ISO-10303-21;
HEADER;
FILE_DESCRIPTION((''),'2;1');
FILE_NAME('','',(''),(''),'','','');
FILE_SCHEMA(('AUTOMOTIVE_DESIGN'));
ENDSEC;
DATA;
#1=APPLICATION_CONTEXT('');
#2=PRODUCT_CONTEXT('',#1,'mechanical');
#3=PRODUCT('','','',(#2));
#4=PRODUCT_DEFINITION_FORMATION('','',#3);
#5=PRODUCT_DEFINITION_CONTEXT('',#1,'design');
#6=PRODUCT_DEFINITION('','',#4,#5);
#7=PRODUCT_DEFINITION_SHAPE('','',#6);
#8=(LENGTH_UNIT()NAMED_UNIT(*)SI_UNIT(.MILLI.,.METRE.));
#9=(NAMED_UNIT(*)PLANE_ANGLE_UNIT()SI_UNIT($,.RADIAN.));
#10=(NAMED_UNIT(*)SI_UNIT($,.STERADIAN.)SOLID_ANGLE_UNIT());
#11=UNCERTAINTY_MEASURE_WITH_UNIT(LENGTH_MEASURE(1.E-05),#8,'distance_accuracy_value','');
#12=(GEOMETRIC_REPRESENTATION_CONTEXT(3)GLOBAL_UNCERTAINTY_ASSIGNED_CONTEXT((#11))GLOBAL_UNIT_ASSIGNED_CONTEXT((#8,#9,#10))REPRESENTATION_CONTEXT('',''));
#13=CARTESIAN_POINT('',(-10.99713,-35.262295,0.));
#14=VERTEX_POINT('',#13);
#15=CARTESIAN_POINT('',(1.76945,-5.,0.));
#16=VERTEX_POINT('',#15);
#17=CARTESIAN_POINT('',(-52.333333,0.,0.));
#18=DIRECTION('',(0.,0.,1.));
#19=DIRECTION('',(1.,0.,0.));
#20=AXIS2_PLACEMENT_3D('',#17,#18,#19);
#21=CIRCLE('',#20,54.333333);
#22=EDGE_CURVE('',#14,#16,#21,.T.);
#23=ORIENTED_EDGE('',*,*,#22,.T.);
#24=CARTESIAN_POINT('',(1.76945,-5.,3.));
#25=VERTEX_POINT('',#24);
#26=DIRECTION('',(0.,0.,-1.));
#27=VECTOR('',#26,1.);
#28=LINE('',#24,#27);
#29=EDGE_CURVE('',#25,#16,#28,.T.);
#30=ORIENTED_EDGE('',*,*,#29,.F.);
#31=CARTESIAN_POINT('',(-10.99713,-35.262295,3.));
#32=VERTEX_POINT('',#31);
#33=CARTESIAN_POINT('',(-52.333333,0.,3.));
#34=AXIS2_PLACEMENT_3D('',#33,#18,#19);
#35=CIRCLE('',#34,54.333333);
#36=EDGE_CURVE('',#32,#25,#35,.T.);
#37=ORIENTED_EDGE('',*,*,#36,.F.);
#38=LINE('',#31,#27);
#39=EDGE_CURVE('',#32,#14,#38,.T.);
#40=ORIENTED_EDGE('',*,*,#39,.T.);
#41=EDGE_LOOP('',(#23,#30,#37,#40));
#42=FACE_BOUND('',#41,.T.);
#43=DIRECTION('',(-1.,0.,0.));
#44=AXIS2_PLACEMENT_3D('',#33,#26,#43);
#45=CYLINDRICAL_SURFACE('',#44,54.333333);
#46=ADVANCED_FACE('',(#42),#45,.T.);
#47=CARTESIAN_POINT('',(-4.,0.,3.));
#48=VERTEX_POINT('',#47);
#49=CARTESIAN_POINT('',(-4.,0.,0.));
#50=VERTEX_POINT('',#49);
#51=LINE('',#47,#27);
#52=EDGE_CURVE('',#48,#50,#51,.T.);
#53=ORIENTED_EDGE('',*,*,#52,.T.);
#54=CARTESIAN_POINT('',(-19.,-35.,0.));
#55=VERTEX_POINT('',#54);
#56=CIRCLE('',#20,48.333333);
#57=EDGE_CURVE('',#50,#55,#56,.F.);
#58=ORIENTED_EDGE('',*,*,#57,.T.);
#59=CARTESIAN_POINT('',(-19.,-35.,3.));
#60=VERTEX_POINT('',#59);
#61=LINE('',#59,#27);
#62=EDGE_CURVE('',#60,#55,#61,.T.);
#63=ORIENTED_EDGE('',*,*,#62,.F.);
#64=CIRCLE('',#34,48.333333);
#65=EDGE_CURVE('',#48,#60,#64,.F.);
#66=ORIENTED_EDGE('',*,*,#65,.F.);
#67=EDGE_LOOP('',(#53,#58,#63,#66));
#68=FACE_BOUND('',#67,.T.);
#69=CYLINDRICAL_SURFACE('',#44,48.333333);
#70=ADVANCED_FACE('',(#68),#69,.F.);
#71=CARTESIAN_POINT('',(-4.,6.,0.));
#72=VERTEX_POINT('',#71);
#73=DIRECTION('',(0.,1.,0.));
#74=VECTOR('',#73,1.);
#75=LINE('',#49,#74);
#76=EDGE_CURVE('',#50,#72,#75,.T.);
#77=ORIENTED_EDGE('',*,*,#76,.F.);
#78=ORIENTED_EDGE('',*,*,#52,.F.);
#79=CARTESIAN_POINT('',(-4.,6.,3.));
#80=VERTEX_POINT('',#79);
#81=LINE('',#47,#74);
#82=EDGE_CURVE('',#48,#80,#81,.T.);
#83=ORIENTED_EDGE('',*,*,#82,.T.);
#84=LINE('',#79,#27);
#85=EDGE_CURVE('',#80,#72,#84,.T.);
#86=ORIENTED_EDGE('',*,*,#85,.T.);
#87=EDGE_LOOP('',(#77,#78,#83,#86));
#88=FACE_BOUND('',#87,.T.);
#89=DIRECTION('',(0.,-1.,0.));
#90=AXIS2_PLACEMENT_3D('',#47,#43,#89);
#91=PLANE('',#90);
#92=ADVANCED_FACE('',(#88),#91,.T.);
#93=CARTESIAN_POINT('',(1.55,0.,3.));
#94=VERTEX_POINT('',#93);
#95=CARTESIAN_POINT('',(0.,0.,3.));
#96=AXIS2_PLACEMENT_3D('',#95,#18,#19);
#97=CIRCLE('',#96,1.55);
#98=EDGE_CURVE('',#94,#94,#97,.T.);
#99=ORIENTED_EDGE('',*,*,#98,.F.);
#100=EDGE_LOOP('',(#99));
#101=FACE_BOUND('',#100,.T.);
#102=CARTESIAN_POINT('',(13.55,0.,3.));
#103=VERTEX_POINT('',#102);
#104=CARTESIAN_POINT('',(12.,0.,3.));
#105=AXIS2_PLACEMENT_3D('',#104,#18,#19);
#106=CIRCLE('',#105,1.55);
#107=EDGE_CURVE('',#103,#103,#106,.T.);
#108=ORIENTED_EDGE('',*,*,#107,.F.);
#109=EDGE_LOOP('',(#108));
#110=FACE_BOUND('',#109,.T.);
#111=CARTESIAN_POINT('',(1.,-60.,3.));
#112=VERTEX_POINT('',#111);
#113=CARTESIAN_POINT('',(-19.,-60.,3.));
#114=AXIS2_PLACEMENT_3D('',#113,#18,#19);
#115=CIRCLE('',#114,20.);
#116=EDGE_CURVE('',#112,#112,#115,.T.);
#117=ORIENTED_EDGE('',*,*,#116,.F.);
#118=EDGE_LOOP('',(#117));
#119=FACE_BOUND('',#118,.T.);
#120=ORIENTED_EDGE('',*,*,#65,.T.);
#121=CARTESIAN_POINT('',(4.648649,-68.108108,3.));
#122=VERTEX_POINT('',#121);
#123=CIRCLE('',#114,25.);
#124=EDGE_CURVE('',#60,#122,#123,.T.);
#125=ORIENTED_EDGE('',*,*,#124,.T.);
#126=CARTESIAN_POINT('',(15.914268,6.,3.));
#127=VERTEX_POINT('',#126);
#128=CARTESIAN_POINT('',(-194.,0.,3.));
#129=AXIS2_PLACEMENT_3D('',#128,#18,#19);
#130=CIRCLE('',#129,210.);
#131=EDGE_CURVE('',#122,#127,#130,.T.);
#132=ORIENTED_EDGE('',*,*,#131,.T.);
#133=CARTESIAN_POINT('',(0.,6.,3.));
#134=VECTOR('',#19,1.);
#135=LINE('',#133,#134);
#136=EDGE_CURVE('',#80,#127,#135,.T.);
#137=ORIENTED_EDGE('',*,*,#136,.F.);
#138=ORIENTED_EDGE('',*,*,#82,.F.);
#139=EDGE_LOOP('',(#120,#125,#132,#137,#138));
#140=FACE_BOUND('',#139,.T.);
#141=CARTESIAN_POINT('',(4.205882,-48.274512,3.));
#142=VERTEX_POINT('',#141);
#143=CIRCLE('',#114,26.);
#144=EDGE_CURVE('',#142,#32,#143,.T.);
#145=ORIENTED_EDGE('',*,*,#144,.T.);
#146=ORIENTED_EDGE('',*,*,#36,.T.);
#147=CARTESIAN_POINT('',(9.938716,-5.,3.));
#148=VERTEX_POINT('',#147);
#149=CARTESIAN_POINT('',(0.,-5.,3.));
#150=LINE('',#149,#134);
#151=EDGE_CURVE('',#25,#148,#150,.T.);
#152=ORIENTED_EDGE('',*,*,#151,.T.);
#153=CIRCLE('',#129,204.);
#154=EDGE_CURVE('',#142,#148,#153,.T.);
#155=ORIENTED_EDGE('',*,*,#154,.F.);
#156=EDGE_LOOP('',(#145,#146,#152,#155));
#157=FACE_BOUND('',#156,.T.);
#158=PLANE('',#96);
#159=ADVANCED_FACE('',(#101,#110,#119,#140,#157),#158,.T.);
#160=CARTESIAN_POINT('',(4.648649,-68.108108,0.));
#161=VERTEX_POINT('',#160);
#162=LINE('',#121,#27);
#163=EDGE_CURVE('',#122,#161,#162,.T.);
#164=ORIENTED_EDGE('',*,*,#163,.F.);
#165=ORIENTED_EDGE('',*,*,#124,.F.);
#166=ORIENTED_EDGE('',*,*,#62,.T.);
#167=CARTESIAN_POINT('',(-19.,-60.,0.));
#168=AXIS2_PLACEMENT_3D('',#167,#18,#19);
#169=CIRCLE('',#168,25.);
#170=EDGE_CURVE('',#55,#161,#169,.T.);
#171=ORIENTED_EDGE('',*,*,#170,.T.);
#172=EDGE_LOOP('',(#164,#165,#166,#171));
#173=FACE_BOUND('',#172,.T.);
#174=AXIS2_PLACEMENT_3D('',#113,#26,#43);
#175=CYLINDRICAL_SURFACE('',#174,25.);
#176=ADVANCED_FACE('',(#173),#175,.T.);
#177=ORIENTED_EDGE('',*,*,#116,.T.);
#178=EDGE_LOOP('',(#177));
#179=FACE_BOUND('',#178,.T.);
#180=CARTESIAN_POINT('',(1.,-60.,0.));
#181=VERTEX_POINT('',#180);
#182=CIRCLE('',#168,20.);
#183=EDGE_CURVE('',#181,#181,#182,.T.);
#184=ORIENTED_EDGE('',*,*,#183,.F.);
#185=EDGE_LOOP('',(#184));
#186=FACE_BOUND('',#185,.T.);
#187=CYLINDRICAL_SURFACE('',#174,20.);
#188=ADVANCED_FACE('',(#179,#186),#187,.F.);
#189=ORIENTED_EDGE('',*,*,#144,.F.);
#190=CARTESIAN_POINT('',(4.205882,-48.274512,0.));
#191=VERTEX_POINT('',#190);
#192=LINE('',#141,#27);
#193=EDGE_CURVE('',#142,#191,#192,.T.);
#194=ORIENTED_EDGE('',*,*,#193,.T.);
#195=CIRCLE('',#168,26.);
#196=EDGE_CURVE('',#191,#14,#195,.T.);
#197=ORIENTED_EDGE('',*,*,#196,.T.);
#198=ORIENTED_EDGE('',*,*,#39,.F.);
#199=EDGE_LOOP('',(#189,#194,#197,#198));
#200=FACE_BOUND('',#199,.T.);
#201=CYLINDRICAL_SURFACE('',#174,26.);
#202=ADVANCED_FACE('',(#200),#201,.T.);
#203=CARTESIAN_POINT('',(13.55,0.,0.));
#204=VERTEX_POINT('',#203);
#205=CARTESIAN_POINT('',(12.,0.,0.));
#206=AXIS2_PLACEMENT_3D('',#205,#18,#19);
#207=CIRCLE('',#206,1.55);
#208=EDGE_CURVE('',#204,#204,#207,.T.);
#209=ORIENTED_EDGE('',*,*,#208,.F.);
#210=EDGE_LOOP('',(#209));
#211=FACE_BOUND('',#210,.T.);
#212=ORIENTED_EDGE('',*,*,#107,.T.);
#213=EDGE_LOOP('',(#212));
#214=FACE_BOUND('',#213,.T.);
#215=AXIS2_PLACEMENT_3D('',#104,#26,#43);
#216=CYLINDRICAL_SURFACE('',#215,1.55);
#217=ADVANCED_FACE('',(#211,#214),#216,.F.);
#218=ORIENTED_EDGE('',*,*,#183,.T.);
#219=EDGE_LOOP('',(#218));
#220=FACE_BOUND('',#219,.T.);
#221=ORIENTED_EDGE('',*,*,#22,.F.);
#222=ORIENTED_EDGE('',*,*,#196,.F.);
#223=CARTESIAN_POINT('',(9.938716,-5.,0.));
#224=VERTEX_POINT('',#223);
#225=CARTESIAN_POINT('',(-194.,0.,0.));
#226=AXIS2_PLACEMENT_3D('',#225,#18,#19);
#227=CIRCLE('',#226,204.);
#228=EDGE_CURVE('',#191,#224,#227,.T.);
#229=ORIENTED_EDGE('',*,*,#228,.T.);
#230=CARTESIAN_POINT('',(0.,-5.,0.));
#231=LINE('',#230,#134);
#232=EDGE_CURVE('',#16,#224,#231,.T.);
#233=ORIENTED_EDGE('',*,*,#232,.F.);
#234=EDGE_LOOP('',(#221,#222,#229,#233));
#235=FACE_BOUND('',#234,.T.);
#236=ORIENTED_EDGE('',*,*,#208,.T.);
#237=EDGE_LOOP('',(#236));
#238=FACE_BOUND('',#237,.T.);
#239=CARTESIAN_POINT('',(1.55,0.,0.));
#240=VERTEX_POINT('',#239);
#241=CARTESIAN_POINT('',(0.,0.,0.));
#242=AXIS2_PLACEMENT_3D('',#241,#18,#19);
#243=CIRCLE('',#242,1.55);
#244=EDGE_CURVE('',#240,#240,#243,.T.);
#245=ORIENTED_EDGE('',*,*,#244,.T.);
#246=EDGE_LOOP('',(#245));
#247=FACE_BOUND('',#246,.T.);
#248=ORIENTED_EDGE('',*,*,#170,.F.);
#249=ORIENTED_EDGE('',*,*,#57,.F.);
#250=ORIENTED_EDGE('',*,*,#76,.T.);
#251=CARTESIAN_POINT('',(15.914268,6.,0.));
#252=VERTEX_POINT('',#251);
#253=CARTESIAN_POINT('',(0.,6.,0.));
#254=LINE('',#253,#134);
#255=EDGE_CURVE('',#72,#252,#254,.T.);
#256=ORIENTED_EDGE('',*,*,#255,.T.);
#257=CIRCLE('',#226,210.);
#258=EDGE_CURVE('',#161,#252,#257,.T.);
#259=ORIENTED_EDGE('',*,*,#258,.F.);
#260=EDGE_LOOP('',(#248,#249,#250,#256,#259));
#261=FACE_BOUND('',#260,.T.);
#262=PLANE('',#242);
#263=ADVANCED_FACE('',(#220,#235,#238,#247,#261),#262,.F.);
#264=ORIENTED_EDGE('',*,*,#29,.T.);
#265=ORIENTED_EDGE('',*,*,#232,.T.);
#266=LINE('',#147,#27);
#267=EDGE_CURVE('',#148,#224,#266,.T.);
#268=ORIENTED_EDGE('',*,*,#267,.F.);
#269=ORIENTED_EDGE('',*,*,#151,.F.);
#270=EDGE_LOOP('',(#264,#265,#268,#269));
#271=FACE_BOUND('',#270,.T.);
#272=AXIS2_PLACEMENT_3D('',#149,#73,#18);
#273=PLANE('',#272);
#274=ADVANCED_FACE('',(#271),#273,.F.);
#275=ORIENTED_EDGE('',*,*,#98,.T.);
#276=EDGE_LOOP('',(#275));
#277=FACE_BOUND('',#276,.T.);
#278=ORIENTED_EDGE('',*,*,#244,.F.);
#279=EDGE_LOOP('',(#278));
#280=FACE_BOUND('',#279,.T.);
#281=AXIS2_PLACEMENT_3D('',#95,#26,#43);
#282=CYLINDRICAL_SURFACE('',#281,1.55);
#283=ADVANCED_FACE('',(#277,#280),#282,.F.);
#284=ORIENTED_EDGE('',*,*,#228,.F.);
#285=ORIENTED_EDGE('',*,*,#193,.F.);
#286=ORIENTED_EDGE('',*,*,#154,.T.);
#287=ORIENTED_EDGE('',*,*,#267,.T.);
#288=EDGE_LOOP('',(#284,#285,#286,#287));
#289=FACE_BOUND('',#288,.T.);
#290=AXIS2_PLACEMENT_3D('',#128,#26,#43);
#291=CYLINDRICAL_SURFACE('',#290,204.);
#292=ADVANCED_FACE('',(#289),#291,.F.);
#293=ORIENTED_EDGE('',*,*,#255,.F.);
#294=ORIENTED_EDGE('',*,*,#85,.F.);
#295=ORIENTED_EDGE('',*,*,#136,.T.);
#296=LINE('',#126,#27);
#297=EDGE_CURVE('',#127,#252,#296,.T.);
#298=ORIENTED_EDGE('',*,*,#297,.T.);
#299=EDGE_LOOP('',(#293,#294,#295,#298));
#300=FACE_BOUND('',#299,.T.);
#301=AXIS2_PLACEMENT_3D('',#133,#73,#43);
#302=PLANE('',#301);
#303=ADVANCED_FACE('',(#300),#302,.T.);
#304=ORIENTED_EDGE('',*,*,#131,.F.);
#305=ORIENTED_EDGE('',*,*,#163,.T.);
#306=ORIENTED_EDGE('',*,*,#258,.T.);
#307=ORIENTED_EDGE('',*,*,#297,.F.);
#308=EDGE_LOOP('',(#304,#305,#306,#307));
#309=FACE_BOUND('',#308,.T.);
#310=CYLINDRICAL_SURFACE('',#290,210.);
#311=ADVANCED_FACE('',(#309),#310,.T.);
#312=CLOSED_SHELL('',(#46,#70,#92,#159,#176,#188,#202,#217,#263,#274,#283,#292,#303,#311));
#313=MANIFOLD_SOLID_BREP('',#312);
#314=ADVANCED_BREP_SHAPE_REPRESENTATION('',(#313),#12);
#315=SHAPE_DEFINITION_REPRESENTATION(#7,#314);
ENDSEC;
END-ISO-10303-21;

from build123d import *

# Parameters (mm, degrees)
SKETCH_1_R      = 20
SKETCH_1_R_2    = 1.55
EXTRUDE_1_DEPTH = 3


with BuildPart() as part:
    # 草图1 → 凸台-拉伸1 (new body)
    with BuildSketch(Plane.XY):
        with BuildLine():
            Line((-4, 6), (-4, 0))
            ThreePointArc((-4, 0), (-7.907990216, -19.039432765), (-19, -35))
            ThreePointArc((-19, -35), (-39.34333678, -74.530954843), (4.648648649, -68.108108108))
            ThreePointArc((4.648648649, -68.108108108), (13.142724005, -34.523787334), (16, 0))
            ThreePointArc((16, 0), (15.97856596, 3.000306232), (15.914268214, 6))
            Line((15.914268214, 6), (-4, 6))
        make_face()
        with Locations((-19, -60)):
            Circle(SKETCH_1_R, mode=Mode.SUBTRACT)
        with BuildLine():
            ThreePointArc((-10.997130101, -35.262294501), (-2.27235419, -21.118936487), (1.769449507, -5))
            Line((1.769449507, -5), (9.938716285, -5))
            ThreePointArc((9.938716285, -5), (8.233133382, -26.791038845), (4.205881516, -48.274512246))
            ThreePointArc((4.205881516, -48.274512246), (-2.093610856, -40.247177262), (-10.997130101, -35.262294501))
        make_face(mode=Mode.SUBTRACT)
        Circle(SKETCH_1_R_2, mode=Mode.SUBTRACT)
        with Locations((12, 0)):
            Circle(SKETCH_1_R_2, mode=Mode.SUBTRACT)
    extrude(amount=EXTRUDE_1_DEPTH)


solid = part.part
